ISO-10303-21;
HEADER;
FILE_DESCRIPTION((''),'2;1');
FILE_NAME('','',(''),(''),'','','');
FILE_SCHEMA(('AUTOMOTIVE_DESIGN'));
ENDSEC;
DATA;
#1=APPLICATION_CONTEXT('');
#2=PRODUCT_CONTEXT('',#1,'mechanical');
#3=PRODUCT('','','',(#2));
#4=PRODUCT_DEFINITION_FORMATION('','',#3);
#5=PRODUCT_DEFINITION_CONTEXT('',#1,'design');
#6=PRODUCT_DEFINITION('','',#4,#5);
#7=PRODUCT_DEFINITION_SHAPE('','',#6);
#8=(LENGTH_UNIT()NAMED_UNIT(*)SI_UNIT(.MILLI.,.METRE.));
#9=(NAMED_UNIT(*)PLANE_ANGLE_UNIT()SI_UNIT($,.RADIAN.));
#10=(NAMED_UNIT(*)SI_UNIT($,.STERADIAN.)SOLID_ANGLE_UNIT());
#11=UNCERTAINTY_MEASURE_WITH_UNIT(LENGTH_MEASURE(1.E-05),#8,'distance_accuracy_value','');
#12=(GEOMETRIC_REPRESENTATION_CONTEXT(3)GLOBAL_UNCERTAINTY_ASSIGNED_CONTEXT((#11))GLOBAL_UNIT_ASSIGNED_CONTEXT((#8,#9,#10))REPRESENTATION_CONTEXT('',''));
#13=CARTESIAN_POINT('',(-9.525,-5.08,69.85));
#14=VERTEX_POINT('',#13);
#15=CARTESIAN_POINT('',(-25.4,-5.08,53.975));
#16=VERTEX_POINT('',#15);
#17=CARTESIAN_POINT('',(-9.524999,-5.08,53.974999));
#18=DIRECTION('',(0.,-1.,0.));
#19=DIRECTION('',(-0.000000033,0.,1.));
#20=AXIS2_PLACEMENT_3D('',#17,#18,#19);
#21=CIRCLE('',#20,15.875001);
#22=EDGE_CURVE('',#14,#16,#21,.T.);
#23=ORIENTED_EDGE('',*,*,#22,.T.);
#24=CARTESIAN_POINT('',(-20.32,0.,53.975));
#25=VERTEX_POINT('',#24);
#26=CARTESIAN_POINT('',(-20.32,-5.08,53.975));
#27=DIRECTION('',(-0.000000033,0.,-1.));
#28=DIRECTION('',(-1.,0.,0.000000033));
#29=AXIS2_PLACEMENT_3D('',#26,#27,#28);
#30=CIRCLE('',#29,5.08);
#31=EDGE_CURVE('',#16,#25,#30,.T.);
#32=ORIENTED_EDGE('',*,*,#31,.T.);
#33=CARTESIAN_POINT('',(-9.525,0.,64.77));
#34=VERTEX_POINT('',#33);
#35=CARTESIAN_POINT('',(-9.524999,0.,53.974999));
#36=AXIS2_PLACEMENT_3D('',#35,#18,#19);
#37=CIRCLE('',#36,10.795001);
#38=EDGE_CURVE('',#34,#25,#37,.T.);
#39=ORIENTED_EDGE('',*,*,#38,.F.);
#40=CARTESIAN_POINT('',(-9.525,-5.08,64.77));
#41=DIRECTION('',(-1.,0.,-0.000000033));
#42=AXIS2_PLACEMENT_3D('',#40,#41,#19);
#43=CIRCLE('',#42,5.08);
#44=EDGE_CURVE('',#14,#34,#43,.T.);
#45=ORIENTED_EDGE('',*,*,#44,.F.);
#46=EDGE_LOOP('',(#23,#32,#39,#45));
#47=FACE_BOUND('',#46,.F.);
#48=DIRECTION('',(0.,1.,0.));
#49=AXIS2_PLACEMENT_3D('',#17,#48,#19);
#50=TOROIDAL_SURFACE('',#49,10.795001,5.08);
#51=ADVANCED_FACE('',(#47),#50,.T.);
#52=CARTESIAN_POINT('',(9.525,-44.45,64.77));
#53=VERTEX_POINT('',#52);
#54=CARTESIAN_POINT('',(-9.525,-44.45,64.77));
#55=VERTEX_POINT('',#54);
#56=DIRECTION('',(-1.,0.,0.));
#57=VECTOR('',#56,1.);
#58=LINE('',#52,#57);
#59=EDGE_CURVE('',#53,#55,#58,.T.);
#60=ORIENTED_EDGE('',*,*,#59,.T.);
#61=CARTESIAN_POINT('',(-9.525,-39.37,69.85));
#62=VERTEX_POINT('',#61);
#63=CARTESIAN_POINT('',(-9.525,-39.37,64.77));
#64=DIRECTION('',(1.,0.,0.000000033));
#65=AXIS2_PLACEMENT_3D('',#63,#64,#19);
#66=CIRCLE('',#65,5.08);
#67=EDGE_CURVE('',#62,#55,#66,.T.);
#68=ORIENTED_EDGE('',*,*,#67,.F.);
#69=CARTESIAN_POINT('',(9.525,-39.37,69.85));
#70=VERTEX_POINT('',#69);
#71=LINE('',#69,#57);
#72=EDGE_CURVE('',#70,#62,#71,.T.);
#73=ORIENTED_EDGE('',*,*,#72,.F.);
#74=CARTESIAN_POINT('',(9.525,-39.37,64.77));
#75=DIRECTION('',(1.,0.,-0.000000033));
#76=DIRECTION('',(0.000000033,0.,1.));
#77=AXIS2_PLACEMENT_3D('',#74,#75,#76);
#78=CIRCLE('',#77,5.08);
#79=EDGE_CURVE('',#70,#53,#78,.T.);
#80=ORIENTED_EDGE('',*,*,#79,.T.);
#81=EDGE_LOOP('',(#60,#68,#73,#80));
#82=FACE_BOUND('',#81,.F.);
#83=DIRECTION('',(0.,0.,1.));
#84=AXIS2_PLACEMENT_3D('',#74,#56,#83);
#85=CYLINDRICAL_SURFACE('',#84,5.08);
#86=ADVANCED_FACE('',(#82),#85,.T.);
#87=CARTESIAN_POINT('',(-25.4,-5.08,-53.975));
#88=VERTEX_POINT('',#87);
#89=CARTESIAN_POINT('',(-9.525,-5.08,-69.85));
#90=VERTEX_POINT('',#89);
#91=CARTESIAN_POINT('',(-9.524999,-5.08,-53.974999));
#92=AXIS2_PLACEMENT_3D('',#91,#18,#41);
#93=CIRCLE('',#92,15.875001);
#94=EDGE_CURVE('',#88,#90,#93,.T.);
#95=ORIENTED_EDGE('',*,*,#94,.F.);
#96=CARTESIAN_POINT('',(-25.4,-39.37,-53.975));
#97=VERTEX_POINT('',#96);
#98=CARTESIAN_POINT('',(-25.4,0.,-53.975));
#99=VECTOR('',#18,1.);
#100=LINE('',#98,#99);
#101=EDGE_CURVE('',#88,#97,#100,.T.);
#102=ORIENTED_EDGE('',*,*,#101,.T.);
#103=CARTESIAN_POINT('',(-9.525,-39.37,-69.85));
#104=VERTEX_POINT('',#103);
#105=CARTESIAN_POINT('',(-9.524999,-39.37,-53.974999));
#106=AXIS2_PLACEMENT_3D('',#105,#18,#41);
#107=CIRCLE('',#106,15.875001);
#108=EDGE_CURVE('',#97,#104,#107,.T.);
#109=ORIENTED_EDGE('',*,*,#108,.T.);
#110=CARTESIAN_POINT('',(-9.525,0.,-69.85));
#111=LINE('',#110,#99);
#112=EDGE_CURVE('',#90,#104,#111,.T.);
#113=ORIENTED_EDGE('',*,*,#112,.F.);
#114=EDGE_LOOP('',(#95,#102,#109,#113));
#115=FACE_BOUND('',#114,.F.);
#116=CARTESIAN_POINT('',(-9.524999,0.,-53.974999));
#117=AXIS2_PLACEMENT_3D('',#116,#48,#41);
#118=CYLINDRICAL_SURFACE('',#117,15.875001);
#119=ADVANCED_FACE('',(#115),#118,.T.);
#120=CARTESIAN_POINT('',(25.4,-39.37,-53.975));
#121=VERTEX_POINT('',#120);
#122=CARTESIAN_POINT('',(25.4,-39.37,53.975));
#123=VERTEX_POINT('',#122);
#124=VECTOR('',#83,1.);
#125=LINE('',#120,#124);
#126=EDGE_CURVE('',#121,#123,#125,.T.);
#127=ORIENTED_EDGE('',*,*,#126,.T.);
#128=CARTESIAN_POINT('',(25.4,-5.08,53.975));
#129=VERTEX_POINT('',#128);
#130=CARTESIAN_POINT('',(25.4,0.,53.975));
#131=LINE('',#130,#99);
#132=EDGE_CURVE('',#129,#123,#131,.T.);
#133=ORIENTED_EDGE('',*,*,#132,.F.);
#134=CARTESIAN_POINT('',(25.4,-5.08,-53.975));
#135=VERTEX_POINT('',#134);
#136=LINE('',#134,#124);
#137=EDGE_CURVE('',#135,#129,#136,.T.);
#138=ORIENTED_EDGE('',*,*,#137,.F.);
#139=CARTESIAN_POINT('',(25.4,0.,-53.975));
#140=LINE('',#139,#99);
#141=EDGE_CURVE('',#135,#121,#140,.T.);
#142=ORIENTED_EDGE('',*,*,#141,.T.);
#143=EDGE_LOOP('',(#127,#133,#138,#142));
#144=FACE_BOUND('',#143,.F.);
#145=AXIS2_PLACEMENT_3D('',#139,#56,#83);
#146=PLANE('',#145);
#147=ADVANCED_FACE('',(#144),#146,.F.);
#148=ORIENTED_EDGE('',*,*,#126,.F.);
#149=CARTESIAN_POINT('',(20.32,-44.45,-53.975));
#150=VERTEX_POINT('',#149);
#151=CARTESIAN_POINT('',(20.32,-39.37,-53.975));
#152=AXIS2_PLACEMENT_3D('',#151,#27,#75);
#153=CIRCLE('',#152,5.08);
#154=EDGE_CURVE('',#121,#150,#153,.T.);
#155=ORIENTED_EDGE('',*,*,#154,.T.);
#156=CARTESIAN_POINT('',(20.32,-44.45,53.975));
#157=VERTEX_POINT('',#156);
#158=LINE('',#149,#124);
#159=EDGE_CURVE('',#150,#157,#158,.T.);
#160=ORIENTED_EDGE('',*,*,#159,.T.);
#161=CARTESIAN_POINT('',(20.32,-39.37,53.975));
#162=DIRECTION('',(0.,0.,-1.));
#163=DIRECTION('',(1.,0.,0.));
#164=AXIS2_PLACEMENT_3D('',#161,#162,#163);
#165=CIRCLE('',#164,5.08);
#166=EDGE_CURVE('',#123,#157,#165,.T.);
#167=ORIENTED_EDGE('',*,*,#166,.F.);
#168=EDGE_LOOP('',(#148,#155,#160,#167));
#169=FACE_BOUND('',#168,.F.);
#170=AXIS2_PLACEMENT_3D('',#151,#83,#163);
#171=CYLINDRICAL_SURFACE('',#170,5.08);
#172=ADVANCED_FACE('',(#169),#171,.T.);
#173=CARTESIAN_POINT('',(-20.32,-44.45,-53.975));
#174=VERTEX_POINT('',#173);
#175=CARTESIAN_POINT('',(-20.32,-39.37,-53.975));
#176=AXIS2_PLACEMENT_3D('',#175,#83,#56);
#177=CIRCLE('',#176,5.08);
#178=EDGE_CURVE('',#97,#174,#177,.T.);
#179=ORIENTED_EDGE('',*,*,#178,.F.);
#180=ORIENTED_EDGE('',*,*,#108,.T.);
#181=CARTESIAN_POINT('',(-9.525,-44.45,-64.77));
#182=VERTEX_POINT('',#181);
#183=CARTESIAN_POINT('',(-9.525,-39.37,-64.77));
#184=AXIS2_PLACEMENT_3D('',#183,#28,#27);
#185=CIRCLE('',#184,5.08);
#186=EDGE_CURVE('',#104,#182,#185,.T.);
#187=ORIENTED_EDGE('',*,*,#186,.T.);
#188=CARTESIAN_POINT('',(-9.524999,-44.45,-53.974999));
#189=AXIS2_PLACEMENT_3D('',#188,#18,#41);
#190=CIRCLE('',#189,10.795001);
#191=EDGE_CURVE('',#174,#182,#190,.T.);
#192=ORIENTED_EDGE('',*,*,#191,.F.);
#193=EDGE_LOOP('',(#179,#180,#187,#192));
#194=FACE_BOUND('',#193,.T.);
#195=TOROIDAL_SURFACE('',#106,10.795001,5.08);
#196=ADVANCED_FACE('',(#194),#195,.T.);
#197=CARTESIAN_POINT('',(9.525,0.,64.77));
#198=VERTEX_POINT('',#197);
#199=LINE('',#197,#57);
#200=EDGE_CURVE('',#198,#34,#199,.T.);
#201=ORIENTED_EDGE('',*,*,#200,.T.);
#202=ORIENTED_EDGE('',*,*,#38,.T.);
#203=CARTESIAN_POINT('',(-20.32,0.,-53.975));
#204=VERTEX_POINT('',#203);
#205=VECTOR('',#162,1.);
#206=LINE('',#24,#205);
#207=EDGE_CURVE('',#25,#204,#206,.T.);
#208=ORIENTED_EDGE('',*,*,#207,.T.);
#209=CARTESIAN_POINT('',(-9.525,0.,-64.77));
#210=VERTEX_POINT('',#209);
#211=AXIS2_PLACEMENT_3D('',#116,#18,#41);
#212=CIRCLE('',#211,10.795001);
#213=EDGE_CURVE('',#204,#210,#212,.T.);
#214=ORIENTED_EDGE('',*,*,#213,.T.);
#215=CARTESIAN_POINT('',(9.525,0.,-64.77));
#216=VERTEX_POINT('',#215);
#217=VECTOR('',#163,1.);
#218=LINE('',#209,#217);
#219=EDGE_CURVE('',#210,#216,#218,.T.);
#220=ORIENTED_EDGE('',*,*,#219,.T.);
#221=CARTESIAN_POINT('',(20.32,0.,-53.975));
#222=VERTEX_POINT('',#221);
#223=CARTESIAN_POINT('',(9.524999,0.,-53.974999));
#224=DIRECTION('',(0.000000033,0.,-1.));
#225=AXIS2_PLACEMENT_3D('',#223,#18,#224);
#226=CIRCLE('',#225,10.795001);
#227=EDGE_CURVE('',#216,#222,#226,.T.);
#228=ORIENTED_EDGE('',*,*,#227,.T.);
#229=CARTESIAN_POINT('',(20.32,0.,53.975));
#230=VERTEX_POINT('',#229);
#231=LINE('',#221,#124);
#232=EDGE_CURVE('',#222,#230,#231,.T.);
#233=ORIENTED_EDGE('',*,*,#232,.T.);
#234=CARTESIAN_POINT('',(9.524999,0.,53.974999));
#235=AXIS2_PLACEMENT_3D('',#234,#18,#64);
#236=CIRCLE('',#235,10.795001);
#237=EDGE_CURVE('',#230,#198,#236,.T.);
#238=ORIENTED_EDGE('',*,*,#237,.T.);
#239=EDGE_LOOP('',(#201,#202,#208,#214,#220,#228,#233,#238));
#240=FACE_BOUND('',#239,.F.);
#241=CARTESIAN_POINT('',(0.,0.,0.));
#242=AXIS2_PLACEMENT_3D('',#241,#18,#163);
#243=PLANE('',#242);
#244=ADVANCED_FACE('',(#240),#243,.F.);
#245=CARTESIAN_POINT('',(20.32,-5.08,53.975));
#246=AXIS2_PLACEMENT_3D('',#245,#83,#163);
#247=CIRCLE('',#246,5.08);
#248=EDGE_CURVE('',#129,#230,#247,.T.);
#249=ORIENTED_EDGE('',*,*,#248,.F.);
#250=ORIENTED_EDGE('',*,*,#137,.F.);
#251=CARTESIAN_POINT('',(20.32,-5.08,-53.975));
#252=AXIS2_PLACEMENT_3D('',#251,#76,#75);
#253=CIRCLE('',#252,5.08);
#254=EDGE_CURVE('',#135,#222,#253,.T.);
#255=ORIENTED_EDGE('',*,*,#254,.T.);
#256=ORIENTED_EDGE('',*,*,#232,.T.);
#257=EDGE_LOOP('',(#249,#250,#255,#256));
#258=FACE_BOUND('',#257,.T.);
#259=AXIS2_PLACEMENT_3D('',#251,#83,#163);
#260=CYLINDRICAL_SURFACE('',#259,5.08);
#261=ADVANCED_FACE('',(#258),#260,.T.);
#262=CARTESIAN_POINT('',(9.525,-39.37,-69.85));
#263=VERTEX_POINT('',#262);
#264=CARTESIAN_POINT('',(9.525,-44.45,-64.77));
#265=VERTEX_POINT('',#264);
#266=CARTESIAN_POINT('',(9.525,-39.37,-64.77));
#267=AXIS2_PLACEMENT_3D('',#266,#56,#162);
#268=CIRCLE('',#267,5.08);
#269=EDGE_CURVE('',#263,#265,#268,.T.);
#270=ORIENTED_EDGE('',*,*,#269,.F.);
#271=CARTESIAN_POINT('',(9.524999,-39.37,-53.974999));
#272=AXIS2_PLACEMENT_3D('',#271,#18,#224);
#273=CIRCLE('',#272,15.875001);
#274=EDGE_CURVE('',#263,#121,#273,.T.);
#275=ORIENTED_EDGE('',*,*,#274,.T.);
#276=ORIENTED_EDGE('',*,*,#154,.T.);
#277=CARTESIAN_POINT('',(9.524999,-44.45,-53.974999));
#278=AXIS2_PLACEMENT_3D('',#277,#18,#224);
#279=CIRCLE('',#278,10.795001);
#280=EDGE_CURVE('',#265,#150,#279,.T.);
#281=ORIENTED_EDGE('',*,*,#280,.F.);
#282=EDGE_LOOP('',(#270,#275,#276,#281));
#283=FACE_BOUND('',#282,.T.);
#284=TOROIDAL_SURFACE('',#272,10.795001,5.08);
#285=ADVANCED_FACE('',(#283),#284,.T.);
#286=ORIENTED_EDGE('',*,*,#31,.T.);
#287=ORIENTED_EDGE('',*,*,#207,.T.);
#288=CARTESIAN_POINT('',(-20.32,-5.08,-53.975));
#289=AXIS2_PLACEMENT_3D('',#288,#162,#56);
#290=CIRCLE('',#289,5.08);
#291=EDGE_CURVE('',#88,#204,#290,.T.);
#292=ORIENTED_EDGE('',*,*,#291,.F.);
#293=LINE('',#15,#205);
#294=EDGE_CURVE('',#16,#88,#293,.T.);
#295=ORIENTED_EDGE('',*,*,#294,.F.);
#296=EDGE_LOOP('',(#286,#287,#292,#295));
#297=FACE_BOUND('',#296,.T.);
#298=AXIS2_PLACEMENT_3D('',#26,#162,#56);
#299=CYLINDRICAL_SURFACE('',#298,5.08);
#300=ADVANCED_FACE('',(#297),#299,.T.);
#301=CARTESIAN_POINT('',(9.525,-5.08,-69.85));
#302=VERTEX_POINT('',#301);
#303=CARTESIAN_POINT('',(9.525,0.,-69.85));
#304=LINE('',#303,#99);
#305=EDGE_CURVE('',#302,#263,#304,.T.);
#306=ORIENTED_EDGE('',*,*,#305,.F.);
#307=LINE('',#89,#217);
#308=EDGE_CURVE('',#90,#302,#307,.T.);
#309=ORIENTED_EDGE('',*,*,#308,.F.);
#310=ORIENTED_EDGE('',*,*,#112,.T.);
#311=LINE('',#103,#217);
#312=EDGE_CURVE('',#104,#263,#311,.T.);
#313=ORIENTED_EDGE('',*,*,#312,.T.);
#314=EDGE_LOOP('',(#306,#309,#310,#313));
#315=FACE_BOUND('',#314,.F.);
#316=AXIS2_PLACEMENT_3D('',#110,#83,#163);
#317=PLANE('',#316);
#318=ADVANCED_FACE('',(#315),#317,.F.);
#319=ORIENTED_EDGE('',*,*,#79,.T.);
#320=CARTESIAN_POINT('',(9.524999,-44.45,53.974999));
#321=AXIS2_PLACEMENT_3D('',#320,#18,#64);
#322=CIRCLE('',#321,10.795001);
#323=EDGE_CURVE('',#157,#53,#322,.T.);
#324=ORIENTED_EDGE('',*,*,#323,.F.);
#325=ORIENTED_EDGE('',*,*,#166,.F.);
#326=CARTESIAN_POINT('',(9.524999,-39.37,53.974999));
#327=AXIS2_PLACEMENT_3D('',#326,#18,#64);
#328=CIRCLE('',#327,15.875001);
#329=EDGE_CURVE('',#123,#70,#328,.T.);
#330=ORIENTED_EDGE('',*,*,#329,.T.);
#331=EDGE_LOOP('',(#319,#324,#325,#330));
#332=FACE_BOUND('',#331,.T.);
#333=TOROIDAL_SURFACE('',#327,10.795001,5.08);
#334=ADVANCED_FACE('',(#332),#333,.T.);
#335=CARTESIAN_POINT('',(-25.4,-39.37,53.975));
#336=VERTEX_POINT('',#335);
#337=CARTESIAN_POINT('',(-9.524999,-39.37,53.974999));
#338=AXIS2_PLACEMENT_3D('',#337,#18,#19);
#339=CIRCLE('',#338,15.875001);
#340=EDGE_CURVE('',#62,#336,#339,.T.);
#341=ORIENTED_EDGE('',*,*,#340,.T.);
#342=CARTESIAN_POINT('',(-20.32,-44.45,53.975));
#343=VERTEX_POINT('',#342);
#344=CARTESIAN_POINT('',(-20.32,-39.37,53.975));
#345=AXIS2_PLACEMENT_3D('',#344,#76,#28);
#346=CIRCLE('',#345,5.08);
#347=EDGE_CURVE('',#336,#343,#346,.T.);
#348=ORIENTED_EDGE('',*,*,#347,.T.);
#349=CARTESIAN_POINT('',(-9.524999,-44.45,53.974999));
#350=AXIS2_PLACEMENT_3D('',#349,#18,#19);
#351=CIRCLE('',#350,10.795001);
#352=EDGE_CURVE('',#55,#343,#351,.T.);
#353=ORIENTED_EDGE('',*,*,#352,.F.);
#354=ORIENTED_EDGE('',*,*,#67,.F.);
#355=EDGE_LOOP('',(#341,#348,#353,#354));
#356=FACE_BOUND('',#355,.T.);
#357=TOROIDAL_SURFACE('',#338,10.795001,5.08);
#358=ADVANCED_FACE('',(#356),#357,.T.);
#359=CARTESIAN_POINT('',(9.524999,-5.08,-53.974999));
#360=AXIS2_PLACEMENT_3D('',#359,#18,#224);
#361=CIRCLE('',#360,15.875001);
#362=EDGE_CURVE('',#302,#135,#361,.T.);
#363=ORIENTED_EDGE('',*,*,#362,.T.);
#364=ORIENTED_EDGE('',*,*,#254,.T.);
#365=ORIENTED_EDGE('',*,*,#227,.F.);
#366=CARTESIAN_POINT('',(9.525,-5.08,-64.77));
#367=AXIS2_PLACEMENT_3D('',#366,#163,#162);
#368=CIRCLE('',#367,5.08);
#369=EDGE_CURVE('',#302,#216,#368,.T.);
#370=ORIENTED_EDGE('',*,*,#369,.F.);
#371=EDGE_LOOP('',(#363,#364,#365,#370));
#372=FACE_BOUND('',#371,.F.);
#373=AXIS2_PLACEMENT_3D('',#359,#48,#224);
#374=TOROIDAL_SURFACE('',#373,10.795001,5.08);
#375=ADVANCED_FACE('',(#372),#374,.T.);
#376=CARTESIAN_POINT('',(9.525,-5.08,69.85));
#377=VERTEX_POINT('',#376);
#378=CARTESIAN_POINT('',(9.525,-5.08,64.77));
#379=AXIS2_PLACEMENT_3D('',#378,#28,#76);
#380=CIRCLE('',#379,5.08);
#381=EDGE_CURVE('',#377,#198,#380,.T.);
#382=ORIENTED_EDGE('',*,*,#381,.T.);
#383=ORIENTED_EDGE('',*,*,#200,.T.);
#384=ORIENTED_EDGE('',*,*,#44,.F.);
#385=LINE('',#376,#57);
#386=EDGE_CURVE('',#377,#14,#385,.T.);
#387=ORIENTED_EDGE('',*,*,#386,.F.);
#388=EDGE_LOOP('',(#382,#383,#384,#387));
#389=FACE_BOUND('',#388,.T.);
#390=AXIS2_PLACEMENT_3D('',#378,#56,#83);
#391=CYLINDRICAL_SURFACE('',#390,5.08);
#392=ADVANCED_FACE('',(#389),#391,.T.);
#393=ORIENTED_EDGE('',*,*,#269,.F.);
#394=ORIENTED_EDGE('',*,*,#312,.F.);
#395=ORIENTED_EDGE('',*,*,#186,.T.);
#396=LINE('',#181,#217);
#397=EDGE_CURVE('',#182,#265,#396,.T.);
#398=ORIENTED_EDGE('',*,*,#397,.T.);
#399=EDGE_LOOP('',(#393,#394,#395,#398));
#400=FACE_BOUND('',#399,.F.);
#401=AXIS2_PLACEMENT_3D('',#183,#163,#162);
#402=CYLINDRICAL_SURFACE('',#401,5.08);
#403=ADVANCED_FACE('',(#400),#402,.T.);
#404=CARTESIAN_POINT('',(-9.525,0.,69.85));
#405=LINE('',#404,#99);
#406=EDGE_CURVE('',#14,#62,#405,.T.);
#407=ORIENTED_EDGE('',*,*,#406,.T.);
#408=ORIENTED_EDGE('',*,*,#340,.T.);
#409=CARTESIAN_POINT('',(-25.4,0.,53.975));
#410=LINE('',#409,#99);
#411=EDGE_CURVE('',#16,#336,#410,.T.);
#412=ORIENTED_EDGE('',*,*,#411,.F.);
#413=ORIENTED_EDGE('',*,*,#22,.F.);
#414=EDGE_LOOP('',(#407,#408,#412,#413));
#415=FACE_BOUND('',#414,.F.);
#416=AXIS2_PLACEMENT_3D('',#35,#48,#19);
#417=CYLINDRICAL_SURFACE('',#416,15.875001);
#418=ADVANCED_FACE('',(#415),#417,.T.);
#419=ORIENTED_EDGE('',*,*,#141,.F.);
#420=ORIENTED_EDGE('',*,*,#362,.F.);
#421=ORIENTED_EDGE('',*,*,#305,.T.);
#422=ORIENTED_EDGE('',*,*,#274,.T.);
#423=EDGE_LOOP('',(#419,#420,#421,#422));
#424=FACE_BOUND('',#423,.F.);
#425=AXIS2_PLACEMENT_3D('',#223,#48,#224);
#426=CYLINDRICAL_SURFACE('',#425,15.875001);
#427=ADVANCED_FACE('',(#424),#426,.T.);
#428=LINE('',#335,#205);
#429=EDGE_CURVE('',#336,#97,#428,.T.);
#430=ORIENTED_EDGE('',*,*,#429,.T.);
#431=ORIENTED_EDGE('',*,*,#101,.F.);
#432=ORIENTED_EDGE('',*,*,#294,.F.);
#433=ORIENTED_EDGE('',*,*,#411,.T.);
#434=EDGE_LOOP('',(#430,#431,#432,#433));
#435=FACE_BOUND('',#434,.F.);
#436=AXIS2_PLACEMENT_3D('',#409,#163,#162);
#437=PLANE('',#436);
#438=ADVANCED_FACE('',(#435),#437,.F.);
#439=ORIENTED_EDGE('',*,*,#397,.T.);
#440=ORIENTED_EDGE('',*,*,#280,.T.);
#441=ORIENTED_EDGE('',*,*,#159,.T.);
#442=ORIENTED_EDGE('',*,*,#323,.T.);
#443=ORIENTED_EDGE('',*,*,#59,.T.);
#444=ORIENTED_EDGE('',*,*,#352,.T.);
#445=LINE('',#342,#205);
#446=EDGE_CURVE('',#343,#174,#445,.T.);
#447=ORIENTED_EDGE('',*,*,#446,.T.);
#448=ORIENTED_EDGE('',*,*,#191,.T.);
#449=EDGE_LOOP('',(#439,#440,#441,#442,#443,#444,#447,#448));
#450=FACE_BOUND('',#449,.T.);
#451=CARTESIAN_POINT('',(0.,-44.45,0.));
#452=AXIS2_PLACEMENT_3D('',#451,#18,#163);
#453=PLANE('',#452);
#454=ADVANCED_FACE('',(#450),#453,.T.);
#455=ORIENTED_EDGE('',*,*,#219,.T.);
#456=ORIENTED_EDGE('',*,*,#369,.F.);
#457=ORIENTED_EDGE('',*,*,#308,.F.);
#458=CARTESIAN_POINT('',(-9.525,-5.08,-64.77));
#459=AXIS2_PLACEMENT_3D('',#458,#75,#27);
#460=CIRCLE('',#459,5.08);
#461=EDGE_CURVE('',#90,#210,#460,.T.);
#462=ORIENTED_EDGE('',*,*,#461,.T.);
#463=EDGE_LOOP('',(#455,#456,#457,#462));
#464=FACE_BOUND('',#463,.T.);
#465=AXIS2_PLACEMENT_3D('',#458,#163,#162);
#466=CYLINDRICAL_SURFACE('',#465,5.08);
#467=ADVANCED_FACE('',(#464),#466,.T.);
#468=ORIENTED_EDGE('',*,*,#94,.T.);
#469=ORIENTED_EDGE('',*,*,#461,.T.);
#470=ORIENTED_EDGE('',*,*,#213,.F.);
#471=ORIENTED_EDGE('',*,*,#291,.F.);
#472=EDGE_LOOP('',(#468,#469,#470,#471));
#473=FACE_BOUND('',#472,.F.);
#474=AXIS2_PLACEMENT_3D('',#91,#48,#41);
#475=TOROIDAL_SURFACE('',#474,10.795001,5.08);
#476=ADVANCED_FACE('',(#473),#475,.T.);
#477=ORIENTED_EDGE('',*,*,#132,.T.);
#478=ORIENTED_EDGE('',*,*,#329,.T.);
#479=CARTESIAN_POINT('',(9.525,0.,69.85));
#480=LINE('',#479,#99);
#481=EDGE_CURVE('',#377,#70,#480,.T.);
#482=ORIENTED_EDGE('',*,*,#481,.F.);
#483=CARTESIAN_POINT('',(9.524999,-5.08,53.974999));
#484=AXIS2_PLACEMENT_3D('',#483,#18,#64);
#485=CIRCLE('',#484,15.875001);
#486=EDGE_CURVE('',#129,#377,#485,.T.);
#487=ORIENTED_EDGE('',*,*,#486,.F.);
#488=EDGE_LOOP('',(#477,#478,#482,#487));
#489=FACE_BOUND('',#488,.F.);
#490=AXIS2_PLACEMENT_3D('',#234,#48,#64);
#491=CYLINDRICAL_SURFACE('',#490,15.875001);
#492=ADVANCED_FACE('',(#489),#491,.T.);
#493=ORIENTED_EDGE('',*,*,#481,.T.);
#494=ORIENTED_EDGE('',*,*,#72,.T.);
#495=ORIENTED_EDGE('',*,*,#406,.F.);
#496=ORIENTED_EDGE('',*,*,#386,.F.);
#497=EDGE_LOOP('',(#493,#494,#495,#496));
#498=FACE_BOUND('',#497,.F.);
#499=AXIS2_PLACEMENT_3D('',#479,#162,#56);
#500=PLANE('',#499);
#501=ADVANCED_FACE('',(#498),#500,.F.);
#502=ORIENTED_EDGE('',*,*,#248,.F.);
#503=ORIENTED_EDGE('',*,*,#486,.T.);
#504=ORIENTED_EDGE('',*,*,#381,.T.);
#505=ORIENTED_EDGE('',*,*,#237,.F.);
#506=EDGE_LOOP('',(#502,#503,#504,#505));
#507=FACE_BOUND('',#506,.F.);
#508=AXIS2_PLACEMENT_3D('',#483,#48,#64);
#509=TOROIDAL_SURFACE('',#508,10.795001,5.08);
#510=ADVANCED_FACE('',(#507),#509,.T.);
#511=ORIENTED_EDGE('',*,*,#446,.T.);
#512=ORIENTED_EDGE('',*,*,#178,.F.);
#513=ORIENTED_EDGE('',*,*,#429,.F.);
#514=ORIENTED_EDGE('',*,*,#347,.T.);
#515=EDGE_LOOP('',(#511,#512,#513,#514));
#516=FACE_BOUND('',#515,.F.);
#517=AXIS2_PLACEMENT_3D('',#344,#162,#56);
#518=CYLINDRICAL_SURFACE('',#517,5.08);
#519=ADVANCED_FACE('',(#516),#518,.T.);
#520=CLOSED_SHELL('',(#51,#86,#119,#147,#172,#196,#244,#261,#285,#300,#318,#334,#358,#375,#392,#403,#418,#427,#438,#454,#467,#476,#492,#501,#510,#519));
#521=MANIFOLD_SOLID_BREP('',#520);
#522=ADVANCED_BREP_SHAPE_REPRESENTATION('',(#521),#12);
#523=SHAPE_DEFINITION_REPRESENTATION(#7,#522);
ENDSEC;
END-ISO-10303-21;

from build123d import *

# Parameters (mm, degrees)
F1_DEPTH = 44.45
F2_R     = 5.08


with BuildPart() as f1:
    # F0 (on Front) → F1 (new body)
    with BuildSketch(Plane.XZ):
        with BuildLine():
            ThreePointArc((25.4, 53.975), (20.75032, 65.20032), (9.525, 69.85))
            Line((9.525, 69.85), (-9.525, 69.85))
            ThreePointArc((-9.525, 69.85), (-20.75032, 65.20032), (-25.4, 53.975))
            Line((-25.4, 53.975), (-25.4, -53.975))
            ThreePointArc((-25.4, -53.975), (-20.75032, -65.20032), (-9.525, -69.85))
            Line((-9.525, -69.85), (9.525, -69.85))
            ThreePointArc((9.525, -69.85), (20.75032, -65.20032), (25.4, -53.975))
            Line((25.4, -53.975), (25.4, 53.975))
        make_face()
    extrude(amount=F1_DEPTH)

    # F2
    f2_edges = [f1.edges().sort_by_distance(p)[0] for p in [
        (-9.525, -22.225, 69.85),
        (-25.4, -22.225, 53.975),
        (-20.75032, 0, 65.20032),
        (-20.75032, -44.45, 65.20032),
        (20.75032, 0, 65.20032),
        (0, 0, 69.85),
        (-25.4, 0, 0),
        (-20.75032, 0, -65.20032),
        (0, 0, -69.85),
        (20.75032, 0, -65.20032),
        (25.4, 0, 0),
    ]]
    fillet(f2_edges, radius=F2_R)


solid = f1.part
